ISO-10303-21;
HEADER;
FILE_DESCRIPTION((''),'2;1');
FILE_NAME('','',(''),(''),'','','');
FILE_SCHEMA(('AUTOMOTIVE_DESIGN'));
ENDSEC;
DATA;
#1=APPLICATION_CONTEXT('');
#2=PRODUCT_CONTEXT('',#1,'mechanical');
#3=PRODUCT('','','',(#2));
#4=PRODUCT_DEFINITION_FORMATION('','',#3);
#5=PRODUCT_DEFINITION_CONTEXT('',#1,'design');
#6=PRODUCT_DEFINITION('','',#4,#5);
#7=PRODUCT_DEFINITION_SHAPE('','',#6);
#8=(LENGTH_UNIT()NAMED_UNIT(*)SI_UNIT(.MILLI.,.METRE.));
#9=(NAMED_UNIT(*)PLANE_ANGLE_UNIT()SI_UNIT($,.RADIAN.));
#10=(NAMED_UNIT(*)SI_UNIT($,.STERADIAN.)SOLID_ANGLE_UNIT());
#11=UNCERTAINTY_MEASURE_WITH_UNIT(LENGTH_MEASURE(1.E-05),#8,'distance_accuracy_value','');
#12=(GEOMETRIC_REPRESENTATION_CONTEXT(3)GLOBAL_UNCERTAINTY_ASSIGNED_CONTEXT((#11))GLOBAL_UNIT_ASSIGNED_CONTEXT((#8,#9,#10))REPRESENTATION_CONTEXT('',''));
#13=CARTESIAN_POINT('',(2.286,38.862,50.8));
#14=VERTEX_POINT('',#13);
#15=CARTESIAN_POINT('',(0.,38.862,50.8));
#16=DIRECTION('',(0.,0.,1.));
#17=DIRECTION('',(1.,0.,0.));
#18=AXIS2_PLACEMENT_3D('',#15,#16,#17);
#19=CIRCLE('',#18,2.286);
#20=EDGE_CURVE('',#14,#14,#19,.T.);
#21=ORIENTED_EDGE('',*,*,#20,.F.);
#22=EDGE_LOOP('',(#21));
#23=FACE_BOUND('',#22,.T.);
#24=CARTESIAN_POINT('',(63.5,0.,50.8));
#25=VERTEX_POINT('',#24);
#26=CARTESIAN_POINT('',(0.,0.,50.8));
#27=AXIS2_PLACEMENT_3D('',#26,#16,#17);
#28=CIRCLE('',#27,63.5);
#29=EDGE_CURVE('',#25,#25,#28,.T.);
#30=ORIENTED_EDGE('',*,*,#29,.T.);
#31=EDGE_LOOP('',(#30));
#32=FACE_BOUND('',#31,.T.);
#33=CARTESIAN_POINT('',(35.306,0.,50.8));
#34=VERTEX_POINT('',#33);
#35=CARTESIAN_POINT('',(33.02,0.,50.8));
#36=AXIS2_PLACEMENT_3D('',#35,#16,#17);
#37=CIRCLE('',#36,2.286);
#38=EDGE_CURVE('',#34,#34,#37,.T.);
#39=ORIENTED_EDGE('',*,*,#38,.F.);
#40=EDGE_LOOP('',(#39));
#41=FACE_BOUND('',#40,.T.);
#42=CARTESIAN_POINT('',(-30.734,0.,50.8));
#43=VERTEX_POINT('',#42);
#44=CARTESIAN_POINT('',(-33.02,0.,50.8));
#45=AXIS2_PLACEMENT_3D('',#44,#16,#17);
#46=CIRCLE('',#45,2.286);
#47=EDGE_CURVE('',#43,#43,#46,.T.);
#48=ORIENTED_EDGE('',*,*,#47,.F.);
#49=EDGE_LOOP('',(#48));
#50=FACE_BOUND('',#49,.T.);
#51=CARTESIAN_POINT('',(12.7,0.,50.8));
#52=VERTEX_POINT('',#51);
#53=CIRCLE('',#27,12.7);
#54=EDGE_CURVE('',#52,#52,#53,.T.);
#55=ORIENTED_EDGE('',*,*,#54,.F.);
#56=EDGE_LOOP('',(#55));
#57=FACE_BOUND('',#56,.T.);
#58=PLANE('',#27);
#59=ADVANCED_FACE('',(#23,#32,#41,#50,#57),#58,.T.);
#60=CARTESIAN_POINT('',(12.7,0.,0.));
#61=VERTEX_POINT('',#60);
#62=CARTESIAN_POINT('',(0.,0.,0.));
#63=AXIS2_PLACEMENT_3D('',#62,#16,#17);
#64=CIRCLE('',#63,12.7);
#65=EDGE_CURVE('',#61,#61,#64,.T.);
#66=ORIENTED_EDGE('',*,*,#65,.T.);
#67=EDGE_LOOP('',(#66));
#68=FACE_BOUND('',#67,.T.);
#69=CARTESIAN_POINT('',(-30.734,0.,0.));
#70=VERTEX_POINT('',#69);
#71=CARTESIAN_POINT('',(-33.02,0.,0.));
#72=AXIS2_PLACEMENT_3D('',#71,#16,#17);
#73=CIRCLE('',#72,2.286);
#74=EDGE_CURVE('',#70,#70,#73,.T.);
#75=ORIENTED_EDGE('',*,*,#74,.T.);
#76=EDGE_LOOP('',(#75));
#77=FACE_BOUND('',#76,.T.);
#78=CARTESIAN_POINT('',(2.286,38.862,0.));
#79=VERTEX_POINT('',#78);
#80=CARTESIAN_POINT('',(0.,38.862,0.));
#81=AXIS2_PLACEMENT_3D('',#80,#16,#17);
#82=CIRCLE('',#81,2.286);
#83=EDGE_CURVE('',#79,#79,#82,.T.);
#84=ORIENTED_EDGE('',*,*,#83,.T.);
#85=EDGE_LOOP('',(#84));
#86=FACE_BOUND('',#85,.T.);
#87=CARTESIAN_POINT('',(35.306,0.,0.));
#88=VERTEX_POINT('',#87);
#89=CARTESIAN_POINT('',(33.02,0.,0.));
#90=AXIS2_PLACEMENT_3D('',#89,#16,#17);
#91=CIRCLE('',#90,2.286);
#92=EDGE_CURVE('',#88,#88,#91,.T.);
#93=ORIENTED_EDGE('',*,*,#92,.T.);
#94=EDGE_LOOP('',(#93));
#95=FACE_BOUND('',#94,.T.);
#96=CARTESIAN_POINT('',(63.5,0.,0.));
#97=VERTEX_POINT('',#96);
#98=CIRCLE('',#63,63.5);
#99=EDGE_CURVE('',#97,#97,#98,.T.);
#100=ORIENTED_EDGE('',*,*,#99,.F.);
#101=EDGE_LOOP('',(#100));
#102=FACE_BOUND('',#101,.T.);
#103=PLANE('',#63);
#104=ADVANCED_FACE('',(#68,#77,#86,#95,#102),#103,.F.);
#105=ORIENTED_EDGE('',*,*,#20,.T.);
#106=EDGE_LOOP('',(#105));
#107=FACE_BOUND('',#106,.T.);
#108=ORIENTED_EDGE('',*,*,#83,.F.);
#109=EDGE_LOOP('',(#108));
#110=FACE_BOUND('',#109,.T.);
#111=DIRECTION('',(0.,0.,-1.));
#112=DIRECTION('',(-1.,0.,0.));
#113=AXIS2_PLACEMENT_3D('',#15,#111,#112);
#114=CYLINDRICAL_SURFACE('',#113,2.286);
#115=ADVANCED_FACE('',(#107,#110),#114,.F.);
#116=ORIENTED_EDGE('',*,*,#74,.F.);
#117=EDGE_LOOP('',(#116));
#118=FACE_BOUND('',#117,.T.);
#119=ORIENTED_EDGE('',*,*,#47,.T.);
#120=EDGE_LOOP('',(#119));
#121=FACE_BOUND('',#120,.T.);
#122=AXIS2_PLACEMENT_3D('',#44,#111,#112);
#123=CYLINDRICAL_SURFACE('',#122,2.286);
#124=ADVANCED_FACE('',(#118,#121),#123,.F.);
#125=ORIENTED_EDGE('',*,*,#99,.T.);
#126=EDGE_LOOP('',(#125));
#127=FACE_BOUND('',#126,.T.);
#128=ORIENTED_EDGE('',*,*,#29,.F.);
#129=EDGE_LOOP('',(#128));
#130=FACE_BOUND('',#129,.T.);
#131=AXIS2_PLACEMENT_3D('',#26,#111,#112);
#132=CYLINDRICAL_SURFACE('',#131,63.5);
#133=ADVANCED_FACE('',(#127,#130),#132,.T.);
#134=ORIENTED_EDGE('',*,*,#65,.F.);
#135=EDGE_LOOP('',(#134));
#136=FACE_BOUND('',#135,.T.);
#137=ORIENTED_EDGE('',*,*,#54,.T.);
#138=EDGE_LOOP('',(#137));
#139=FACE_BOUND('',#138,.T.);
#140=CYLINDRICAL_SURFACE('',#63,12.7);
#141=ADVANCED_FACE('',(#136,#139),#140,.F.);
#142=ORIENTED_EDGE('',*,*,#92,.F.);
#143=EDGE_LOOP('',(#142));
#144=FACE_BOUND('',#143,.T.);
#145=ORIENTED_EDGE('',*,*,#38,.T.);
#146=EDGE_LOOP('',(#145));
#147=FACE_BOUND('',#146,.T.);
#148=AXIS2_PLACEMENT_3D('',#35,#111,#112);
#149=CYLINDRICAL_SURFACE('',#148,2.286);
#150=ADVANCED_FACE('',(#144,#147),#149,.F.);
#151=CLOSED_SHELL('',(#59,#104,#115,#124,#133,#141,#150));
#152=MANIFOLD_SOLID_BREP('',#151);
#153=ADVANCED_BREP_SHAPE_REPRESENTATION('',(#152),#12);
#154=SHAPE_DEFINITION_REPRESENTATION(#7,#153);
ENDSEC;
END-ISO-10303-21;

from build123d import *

# Parameters (mm, degrees)
SKETCH1_R           = 63.5
SKETCH1_R_2         = 2.286
BOSS_EXTRUDE1_DEPTH = 50.8
SKETCH2_R           = 12.7
CUT_EXTRUDE1_DEPTH  = 51.8


with BuildPart() as part:
    # Sketch1 → Boss-Extrude1 (new body)
    with BuildSketch(Plane.XY):
        Circle(SKETCH1_R)
        with Locations((-33.02, 0)):
            Circle(SKETCH1_R_2, mode=Mode.SUBTRACT)
        with Locations((33.02, 0)):
            Circle(SKETCH1_R_2, mode=Mode.SUBTRACT)
        with Locations((0, 38.862)):
            Circle(SKETCH1_R_2, mode=Mode.SUBTRACT)
    extrude(amount=BOSS_EXTRUDE1_DEPTH)

    # Sketch2 → Cut-Extrude1 (cut, through all)
    with BuildSketch(Plane.XY.offset(50.8)):
        Circle(SKETCH2_R)
    extrude(amount=-CUT_EXTRUDE1_DEPTH, mode=Mode.SUBTRACT)


solid = part.part
